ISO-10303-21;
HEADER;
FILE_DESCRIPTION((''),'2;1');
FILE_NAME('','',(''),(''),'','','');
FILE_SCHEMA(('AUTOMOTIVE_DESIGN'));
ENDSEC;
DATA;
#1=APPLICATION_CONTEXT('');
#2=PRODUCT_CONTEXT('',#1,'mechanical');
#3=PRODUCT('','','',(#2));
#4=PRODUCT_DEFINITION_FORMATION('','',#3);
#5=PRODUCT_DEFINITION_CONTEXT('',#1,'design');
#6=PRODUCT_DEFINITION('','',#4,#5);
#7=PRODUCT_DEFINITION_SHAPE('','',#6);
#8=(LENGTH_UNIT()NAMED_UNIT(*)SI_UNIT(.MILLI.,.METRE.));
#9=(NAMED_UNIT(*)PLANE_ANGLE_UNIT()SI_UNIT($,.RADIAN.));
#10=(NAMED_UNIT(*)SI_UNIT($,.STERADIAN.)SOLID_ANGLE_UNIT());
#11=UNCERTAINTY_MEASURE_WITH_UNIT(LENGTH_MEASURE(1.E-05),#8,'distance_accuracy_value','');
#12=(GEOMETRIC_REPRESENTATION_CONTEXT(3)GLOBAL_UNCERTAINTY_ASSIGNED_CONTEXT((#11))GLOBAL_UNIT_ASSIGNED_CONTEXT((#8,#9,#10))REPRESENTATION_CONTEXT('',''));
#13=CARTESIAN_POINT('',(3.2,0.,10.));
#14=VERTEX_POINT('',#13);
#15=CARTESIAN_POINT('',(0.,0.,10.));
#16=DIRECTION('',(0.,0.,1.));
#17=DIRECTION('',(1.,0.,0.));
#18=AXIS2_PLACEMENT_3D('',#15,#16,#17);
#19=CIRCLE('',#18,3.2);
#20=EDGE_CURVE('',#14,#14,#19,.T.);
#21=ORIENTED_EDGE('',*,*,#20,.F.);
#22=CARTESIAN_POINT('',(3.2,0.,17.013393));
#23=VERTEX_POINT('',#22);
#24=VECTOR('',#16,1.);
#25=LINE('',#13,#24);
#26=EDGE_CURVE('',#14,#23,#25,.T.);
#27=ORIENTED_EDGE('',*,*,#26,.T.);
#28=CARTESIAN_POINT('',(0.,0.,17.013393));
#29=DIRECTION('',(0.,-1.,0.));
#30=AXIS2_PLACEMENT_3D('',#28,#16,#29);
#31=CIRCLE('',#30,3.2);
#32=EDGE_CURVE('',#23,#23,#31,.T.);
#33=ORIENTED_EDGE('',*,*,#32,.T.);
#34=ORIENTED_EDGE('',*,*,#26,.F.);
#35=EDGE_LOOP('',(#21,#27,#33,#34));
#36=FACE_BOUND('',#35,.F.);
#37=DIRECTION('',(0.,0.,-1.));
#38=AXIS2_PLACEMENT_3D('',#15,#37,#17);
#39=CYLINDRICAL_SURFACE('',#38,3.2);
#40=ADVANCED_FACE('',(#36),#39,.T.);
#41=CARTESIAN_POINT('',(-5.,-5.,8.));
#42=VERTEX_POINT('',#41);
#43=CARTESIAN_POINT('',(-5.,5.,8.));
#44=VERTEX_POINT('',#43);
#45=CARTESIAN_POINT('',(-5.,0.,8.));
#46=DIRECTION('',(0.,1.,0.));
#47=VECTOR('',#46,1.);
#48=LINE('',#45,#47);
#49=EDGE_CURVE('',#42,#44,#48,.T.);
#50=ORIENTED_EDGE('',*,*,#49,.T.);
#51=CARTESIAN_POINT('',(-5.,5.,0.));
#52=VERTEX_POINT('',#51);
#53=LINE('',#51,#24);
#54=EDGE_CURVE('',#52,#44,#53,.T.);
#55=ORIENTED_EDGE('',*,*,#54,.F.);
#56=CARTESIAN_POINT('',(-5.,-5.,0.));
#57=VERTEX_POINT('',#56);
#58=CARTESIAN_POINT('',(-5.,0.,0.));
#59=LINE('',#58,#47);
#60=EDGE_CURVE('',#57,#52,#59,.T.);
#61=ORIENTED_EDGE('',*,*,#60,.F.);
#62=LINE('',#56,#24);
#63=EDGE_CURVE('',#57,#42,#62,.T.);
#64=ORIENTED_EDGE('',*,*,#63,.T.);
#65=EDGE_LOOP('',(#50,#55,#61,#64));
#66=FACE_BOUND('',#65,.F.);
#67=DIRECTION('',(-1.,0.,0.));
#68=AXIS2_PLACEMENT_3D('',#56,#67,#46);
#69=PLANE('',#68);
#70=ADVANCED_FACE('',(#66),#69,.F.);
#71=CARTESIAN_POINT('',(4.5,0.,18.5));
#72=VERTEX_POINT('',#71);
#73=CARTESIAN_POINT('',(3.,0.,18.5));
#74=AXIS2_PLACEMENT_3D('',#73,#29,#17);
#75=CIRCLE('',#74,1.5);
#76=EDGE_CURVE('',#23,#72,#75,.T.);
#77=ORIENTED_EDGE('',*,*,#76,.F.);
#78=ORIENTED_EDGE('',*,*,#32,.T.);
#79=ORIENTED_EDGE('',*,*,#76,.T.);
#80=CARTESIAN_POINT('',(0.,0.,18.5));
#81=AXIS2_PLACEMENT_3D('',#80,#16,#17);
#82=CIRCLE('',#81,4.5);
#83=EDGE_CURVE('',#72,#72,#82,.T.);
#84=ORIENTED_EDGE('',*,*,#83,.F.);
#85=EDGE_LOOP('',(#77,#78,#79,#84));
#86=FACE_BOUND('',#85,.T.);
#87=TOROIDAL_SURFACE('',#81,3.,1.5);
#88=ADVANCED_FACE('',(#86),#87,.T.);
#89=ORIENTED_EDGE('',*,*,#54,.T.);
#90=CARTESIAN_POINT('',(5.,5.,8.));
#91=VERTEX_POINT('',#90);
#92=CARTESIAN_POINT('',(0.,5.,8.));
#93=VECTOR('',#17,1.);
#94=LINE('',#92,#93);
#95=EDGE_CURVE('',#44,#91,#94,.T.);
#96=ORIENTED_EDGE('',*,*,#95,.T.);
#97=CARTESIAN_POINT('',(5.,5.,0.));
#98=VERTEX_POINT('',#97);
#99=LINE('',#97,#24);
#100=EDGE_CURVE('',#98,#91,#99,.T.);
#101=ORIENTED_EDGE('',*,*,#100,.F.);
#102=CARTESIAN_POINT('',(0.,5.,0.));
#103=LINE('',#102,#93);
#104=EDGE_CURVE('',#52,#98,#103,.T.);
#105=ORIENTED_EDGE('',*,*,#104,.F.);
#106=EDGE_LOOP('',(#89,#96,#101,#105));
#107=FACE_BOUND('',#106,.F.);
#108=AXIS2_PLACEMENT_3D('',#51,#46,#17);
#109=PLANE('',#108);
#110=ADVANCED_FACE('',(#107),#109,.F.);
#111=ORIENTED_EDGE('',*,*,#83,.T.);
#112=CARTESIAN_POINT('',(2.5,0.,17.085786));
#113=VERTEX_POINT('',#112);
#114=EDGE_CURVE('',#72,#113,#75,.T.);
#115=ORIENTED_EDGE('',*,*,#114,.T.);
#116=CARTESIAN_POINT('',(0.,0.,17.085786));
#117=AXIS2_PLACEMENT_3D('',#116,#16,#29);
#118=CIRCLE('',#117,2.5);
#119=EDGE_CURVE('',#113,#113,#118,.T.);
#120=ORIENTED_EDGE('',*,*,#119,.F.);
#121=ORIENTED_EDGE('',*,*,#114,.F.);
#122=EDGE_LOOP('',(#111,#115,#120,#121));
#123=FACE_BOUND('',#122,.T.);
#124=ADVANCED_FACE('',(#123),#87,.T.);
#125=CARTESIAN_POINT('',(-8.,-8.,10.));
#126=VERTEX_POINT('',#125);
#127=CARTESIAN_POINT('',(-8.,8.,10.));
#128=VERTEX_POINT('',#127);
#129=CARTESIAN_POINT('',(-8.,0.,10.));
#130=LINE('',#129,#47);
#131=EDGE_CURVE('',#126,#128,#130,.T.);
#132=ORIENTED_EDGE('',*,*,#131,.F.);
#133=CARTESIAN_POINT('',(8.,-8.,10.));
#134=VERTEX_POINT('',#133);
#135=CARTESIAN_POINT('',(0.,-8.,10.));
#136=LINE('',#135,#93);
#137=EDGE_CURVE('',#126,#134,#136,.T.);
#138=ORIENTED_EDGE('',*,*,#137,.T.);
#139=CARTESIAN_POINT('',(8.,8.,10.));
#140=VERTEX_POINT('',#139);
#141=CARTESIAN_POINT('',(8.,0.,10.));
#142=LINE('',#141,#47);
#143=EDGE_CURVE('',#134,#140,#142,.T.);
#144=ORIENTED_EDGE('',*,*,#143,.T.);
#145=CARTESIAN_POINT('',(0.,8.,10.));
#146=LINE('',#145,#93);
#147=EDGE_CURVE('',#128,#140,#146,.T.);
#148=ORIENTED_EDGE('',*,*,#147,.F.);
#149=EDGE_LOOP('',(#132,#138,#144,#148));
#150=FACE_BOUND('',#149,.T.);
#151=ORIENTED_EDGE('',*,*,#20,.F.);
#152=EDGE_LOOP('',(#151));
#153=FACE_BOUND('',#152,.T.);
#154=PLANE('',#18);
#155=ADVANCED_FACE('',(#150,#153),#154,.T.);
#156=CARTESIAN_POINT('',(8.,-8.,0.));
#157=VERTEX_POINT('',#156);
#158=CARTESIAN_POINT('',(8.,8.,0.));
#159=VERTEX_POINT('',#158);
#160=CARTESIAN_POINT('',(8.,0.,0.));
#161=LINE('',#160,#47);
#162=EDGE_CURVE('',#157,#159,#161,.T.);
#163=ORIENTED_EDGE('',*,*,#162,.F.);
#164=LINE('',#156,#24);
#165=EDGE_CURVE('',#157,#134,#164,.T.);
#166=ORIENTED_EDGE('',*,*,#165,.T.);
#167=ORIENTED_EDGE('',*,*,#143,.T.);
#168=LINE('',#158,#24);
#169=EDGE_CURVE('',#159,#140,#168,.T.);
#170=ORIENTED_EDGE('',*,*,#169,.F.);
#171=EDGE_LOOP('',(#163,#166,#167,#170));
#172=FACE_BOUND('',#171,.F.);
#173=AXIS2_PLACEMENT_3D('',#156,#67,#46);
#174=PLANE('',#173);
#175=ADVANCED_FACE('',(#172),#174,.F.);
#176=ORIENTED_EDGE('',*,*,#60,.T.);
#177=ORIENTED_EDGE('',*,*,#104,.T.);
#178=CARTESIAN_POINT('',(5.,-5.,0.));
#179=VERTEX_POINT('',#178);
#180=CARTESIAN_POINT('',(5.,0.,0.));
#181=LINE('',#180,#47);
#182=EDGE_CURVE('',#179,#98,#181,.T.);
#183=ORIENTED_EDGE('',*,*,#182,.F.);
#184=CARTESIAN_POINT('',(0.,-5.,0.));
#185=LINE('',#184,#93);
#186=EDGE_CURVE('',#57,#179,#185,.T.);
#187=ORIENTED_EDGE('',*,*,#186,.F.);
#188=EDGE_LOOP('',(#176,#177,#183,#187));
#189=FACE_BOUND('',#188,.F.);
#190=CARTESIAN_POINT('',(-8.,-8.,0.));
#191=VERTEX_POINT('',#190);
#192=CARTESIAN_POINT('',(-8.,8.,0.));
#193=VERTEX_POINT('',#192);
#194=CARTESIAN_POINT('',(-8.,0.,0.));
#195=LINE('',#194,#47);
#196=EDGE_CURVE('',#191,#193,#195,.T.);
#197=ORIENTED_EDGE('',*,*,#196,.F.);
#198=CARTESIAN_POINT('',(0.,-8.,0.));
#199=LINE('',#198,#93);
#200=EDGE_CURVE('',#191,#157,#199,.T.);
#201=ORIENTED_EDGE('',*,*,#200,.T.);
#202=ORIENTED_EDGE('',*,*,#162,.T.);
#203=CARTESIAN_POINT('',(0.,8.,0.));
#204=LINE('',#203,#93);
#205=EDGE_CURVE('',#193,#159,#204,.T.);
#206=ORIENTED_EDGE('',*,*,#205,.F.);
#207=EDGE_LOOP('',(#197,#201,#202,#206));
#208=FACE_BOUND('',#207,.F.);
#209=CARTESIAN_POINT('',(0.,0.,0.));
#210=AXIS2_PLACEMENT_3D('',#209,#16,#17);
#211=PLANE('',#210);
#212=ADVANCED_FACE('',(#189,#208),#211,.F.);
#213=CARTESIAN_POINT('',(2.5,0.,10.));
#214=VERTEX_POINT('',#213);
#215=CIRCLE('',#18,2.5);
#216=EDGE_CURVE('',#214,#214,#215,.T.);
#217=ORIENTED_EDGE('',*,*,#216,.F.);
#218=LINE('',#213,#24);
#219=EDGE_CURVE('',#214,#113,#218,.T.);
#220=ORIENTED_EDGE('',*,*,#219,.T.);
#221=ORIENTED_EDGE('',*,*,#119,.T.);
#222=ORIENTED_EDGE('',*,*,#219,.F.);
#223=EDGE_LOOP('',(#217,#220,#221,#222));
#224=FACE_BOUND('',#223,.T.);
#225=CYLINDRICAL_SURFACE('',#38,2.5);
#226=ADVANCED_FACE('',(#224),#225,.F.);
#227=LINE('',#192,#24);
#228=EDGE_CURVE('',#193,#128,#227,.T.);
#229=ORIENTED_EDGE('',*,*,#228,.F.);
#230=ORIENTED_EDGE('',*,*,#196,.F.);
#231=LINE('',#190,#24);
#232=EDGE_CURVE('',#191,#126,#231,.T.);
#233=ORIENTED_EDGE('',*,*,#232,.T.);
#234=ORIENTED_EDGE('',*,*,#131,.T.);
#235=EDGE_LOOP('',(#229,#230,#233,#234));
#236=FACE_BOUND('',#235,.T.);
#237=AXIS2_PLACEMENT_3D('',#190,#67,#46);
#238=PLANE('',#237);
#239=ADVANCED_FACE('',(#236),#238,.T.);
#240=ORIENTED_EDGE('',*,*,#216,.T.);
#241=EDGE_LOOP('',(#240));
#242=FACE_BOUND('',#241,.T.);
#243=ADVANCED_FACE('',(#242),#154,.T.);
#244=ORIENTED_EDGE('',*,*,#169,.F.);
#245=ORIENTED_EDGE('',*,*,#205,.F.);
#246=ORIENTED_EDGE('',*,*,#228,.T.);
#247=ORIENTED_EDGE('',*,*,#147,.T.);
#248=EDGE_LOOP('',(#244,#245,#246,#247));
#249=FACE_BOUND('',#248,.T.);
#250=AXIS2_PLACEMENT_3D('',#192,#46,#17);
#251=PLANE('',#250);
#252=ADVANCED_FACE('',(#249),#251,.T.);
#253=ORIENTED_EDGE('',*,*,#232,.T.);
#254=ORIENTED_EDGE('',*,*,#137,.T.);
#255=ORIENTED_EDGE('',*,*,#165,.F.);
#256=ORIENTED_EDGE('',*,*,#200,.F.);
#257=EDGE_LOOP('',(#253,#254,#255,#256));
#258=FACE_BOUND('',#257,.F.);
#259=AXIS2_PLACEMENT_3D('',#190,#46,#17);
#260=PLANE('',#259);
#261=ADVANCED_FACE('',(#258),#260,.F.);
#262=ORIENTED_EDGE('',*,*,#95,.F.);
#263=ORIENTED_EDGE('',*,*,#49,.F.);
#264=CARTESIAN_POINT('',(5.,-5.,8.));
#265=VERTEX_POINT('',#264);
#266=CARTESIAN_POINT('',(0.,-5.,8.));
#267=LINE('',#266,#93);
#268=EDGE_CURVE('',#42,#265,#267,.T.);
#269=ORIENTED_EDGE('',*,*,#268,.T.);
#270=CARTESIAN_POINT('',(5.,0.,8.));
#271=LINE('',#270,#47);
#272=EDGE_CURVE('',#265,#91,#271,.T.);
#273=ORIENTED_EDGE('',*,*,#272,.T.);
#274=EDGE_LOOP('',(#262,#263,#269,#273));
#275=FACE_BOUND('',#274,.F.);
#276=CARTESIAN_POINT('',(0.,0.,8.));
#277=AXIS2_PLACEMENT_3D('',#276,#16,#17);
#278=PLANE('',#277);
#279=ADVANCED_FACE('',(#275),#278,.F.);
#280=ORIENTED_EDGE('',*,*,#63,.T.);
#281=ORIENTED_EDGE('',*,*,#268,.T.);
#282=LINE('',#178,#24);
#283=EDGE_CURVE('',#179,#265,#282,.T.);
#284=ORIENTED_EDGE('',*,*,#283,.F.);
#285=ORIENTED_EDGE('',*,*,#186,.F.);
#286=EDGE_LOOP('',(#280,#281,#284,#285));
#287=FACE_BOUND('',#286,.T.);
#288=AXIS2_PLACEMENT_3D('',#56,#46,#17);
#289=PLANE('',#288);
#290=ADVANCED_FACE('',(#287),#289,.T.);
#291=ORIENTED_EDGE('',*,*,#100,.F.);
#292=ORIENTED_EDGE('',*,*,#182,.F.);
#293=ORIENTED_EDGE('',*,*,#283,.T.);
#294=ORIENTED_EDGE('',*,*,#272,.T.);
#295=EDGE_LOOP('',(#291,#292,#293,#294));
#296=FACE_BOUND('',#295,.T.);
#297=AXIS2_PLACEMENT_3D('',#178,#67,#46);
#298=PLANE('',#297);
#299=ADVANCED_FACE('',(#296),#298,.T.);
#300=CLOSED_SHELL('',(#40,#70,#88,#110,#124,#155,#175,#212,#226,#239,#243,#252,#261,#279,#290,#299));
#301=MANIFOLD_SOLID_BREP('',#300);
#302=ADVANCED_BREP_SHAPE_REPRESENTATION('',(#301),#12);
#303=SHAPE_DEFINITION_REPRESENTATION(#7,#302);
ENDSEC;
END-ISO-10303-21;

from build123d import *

# Parameters (mm, degrees)
BOX001_W          = 10
BOX001_H          = 10
BOX001_DEPTH      = 8
BOX_W             = 16
BOX_H             = 16
BOX_DEPTH         = 10
TORUS_R           = 1.5
CYLINDER_R        = 2.5
CYLINDER_DEPTH    = 9
CYLINDER001_R     = 3.2
CYLINDER001_DEPTH = 9


with BuildPart() as cube001:
    # Box001 → Box001 (new body)
    with BuildSketch(Plane(origin=(-5, -5, 0), x_dir=(1, 0, 0), z_dir=(0, 0, 1))):
        with Locations((5, 5)):
            Rectangle(BOX001_W, BOX001_H)
    extrude(amount=BOX001_DEPTH)


with BuildPart() as cube:
    # Box → Box (new body)
    with BuildSketch(Plane(origin=(-8, -8, 0), x_dir=(1, 0, 0), z_dir=(0, 0, 1))):
        with Locations((8, 8)):
            Rectangle(BOX_W, BOX_H)
    extrude(amount=BOX_DEPTH)


with BuildPart() as torus:
    # Torus → Torus (revolve)
    with BuildSketch(Plane(origin=(0, 0, 18.5), x_dir=(1, 0, 0), z_dir=(0, -1, 0))):
        with Locations((3, 0)):
            Circle(TORUS_R)
    revolve(axis=Axis((0, 0, 18.5), (0, 0, 1)))


with BuildPart() as cylinder:
    # Cylinder → Cylinder (new body)
    with BuildSketch(Plane.XY.offset(10)):
        Circle(CYLINDER_R)
    extrude(amount=CYLINDER_DEPTH)


with BuildPart() as cut001:
    # Cylinder001 → Cylinder001 (new body)
    with BuildSketch(Plane.XY.offset(10)):
        Circle(CYLINDER001_R)
    extrude(amount=CYLINDER001_DEPTH)

    # Cut: cut Cylinder
    add(cylinder.part, mode=Mode.SUBTRACT)

    # Fusion: union Cube, Torus
    add(cube.part)
    add(torus.part)

    # Cut001: cut Cube001
    add(cube001.part, mode=Mode.SUBTRACT)


solid = cut001.part
